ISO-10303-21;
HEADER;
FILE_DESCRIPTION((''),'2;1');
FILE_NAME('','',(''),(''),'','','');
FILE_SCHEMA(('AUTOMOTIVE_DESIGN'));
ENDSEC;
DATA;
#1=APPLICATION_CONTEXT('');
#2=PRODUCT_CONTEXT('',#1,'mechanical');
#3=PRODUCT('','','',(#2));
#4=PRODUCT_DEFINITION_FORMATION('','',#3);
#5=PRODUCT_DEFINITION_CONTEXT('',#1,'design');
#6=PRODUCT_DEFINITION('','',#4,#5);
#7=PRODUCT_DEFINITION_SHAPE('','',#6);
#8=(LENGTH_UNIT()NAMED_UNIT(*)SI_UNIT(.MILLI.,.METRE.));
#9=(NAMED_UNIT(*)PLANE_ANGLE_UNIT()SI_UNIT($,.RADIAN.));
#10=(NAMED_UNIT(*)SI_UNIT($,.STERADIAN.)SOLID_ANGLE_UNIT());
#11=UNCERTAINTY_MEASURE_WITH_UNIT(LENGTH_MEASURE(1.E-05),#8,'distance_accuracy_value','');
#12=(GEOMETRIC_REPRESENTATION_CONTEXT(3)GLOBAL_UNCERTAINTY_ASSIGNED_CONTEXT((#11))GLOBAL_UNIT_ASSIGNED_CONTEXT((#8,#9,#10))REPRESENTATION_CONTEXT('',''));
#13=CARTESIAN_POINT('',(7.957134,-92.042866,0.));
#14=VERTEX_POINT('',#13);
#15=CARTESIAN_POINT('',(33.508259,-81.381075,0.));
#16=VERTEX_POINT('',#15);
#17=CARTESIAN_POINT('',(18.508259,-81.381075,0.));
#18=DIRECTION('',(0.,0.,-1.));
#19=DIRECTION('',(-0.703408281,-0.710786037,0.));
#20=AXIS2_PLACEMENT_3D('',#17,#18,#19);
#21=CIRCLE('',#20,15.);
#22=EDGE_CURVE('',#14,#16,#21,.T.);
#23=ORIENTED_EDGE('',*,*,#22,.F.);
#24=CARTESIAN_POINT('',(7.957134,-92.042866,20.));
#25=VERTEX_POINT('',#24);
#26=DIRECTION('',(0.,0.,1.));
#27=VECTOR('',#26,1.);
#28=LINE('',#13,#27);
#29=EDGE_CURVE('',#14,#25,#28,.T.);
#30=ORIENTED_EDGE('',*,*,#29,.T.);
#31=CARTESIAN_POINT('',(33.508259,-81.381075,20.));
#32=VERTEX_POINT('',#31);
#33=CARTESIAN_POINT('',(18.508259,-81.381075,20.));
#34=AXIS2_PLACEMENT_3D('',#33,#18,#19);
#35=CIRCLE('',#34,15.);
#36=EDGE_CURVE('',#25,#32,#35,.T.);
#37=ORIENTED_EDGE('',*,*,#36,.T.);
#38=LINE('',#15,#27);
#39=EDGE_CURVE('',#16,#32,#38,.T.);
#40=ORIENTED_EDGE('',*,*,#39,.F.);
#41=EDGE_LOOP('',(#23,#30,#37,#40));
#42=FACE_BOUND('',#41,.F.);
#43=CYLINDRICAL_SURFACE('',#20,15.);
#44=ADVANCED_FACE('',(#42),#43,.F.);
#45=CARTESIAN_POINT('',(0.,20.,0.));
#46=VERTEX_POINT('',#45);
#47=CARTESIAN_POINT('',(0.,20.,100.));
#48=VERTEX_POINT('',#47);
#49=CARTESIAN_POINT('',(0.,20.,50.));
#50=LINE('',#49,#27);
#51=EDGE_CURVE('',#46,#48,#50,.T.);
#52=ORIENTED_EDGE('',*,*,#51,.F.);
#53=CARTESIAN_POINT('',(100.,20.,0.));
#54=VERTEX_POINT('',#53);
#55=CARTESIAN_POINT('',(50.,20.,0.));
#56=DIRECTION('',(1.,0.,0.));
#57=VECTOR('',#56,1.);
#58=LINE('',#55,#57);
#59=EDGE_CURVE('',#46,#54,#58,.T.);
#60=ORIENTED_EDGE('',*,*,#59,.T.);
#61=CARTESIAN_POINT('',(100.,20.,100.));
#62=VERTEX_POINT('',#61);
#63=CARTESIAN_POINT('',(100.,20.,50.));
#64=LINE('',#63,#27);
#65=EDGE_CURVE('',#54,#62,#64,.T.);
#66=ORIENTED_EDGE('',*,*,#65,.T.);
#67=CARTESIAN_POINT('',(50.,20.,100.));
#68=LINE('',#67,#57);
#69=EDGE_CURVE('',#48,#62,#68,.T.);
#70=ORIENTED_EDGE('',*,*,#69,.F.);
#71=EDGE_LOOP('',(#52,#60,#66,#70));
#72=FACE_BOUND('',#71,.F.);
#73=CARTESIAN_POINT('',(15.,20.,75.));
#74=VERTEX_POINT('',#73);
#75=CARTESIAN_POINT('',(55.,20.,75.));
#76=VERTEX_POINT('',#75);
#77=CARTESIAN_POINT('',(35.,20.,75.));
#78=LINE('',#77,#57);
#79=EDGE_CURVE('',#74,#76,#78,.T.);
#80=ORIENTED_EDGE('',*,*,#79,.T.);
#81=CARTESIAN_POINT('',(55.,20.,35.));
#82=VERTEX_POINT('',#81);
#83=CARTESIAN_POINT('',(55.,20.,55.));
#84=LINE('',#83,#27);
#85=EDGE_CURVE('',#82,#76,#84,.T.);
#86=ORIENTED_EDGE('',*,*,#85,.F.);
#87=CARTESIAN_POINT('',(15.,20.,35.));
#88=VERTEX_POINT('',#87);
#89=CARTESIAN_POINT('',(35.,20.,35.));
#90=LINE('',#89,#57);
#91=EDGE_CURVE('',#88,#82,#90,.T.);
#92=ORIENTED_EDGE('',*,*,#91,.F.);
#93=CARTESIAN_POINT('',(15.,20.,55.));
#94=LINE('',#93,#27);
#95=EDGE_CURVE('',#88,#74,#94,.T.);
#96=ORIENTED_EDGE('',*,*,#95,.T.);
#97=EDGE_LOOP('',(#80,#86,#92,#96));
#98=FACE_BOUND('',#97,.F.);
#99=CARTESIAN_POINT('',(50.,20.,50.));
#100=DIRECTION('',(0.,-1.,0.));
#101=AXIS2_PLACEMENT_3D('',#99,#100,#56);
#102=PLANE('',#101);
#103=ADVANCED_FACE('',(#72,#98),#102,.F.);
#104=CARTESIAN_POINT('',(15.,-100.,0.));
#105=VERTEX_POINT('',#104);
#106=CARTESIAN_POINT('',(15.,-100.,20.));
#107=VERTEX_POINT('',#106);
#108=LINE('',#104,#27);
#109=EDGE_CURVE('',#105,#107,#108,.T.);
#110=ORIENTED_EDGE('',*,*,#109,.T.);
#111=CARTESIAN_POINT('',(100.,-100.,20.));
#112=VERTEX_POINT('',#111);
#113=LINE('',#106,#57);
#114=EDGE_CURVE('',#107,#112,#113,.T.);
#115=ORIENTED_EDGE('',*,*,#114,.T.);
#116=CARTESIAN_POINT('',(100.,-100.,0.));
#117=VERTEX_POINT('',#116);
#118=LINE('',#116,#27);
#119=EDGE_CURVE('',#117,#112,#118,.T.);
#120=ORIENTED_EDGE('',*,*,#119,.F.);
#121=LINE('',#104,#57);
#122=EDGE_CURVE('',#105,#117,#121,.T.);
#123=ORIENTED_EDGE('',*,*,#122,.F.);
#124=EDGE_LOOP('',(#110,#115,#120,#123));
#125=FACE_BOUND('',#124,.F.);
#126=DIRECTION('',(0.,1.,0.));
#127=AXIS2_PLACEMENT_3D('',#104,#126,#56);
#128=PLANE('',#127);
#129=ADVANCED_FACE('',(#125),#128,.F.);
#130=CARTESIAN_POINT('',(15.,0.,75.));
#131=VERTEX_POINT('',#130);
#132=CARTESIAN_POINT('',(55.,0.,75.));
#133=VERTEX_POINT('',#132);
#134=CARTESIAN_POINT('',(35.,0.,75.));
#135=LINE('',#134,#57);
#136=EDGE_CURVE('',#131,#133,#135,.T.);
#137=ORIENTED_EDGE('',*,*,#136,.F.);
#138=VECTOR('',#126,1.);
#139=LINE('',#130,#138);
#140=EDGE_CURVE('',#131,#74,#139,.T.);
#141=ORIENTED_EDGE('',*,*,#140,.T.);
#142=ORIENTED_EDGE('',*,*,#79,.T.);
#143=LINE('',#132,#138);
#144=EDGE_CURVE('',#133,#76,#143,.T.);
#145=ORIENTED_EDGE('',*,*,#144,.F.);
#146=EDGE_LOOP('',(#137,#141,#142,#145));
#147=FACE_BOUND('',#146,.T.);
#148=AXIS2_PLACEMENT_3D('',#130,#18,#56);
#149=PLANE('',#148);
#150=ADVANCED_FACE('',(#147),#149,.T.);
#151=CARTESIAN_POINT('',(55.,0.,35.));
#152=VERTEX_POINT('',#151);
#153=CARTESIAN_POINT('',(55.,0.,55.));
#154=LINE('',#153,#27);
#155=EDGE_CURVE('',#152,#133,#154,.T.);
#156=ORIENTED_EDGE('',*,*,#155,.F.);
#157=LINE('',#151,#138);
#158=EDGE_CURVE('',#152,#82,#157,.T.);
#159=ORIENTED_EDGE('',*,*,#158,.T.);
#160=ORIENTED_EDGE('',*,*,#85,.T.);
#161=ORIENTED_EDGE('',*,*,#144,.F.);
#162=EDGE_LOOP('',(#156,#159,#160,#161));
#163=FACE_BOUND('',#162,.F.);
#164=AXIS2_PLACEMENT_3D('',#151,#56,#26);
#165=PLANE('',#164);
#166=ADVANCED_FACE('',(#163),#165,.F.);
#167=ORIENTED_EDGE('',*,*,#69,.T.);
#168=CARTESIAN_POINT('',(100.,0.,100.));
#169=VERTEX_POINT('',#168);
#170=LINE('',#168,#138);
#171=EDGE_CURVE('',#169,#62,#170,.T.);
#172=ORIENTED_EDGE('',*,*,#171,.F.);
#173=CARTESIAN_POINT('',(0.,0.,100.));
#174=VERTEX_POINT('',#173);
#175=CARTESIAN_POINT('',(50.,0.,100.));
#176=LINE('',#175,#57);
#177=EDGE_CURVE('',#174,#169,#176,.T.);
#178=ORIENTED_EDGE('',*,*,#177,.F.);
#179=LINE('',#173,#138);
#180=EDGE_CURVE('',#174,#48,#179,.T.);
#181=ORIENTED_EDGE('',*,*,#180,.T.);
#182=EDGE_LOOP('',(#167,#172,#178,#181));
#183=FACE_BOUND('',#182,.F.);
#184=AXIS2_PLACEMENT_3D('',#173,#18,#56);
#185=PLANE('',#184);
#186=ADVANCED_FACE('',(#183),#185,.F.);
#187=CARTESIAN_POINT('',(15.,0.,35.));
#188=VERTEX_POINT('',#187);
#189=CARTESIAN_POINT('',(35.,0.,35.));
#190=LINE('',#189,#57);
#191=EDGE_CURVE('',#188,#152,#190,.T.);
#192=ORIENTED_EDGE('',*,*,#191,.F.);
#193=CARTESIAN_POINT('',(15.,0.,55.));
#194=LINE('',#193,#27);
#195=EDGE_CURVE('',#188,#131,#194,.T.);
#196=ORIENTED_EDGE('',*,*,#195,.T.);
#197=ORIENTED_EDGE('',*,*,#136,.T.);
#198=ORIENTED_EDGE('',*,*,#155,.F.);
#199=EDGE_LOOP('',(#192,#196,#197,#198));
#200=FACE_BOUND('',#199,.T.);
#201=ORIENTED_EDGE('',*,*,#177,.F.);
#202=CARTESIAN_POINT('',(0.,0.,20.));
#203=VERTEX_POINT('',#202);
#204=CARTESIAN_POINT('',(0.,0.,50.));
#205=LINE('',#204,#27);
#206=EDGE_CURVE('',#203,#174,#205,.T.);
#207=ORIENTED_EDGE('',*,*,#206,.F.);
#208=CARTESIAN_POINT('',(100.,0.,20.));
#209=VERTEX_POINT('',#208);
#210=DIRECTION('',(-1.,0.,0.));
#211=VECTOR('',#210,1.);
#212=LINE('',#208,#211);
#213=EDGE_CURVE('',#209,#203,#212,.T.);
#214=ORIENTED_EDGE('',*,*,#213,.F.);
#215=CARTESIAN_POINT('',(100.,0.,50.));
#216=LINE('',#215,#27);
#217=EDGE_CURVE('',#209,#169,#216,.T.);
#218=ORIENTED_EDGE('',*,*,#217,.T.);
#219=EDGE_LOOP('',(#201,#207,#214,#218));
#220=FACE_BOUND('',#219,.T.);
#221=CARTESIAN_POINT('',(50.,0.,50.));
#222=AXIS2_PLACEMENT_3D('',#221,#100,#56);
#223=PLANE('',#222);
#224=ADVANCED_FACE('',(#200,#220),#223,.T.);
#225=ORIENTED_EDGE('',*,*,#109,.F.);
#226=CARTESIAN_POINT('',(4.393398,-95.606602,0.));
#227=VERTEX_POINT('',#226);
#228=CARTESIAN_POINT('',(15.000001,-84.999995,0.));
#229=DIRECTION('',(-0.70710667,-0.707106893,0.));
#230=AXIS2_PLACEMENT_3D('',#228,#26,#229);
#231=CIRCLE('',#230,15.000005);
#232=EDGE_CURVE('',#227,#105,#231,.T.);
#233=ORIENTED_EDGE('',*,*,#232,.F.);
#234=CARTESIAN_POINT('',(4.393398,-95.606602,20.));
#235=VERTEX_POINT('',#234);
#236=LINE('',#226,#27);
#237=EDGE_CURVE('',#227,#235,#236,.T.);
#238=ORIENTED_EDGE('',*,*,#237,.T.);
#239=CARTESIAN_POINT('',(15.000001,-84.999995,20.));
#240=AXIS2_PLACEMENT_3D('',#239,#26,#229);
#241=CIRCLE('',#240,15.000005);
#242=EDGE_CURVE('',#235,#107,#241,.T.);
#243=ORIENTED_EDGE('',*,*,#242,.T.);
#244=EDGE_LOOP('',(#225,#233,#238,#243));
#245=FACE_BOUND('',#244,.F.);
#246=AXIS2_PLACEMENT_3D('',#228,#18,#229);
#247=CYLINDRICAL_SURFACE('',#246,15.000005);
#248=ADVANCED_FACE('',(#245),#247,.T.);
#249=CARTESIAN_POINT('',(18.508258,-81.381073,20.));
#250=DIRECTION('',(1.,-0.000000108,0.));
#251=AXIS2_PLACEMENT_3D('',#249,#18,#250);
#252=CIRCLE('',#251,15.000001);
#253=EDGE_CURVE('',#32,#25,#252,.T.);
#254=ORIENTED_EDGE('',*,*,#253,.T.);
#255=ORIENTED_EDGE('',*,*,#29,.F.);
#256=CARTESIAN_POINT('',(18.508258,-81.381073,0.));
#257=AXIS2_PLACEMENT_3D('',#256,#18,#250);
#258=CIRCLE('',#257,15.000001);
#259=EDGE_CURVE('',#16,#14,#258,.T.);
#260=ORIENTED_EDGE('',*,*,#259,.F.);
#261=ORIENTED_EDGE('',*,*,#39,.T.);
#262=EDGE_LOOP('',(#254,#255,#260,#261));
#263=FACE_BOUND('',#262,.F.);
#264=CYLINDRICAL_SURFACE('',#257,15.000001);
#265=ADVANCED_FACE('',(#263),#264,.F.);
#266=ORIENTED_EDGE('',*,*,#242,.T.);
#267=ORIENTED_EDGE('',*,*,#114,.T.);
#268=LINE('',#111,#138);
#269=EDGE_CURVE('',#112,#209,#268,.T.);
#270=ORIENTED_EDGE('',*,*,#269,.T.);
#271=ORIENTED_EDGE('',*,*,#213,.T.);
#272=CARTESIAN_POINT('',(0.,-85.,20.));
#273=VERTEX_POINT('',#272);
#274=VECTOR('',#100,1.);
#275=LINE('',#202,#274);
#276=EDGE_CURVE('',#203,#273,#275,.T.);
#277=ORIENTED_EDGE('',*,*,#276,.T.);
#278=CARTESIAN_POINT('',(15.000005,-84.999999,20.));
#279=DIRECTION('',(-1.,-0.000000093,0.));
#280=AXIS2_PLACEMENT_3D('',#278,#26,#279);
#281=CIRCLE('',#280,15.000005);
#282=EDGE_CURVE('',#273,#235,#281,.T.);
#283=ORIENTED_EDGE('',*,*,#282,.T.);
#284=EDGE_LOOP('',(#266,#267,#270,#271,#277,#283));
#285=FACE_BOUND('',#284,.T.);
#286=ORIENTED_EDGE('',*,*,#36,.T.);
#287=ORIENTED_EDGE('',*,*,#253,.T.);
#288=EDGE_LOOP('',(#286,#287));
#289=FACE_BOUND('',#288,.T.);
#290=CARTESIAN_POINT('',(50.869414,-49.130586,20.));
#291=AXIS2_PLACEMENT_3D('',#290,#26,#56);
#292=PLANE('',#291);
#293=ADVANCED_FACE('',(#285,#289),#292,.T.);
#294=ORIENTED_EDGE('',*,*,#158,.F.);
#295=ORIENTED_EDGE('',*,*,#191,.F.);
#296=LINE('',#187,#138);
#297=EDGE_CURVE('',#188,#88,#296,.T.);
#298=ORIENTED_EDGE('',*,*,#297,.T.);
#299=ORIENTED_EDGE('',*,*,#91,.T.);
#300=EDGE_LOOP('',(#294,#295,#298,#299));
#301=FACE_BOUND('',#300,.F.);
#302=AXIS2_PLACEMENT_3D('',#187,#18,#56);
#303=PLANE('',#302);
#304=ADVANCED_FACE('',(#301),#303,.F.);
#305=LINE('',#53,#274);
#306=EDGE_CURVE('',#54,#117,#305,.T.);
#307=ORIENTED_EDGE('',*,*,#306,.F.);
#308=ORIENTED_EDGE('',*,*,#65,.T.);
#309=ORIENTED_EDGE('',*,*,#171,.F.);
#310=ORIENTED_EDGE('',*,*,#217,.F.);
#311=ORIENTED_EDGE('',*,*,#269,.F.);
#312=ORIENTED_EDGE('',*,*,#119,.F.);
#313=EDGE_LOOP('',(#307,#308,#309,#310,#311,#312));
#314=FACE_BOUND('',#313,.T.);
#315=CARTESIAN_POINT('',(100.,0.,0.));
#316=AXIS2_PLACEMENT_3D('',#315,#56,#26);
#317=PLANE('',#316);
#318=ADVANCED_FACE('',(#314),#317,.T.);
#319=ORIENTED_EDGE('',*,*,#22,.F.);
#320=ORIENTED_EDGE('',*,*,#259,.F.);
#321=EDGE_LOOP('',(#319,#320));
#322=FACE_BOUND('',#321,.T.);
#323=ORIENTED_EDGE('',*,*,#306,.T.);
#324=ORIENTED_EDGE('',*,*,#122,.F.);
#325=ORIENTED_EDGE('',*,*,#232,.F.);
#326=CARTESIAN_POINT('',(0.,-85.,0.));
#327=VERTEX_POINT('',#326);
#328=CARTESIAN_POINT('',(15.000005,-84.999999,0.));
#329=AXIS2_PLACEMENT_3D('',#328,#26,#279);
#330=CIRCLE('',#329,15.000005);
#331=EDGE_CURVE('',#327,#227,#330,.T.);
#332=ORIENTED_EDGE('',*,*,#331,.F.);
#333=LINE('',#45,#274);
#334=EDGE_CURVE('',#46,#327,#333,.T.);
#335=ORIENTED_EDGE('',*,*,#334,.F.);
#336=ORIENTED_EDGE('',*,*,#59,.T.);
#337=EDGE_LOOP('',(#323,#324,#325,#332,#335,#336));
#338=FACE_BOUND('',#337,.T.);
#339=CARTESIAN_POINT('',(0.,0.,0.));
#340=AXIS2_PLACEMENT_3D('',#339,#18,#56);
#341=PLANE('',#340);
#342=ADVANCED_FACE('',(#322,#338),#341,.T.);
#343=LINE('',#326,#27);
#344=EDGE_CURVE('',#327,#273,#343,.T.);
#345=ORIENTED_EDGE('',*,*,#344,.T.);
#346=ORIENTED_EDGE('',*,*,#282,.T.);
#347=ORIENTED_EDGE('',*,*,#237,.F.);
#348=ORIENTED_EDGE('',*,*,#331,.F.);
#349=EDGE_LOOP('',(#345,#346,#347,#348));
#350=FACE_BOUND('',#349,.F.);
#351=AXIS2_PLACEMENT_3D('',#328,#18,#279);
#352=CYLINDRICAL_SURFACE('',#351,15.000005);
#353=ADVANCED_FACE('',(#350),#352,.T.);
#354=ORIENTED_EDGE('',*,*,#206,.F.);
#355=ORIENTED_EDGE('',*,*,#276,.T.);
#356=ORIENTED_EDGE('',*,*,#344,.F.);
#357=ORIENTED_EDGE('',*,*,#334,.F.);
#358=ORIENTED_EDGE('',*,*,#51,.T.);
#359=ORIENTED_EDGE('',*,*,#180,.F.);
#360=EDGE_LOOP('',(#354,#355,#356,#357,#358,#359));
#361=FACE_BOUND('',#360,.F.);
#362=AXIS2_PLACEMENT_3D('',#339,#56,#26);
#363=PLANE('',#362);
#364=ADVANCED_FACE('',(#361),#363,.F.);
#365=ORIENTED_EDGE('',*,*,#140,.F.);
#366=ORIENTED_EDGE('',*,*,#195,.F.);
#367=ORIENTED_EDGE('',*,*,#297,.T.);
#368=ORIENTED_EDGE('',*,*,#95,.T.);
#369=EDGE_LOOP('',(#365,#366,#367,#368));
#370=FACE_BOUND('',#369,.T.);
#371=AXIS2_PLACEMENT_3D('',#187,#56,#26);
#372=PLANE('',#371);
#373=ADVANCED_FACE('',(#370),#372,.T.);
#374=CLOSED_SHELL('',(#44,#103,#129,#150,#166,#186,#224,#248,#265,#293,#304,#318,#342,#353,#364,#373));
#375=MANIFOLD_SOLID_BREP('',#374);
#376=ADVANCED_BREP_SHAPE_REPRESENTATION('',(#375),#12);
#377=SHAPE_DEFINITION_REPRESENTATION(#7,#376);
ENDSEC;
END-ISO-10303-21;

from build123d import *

# Parameters (mm, degrees)
F1_DEPTH = 20
F2_W     = 100
F2_H     = 100
F2_W_2   = 40
F2_H_2   = 40
F3_DEPTH = 20


with BuildPart() as f1:
    # F0 (on Top) → F1 (new body)
    with BuildSketch(Plane.XY):
        with BuildLine():
            Line((100, 0), (0, 0))
            Line((0, 0), (0, -85))
            ThreePointArc((0, -85), (1.141807, -90.740251), (4.393398, -95.606602))
            ThreePointArc((4.393398, -95.606602), (9.259749, -98.858193), (15, -100))
            Line((15, -100), (100, -100))
            Line((100, -100), (100, 0))
        make_face()
        with BuildLine():
            ThreePointArc((33.508259, -81.381075), (24.284639, -95.224247), (7.957134, -92.042866))
            ThreePointArc((7.957134, -92.042866), (12.731878, -67.537902), (33.508259, -81.381075))
        make_face(mode=Mode.SUBTRACT)
    extrude(amount=F1_DEPTH)

    # F2 (on Front) → F3 (join)
    with BuildSketch(Plane.XZ):
        with Locations((50, 50)):
            Rectangle(F2_W, F2_H)
        with Locations((35, 55)):
            Rectangle(F2_W_2, F2_H_2, mode=Mode.SUBTRACT)
    extrude(amount=-F3_DEPTH)


solid = f1.part
